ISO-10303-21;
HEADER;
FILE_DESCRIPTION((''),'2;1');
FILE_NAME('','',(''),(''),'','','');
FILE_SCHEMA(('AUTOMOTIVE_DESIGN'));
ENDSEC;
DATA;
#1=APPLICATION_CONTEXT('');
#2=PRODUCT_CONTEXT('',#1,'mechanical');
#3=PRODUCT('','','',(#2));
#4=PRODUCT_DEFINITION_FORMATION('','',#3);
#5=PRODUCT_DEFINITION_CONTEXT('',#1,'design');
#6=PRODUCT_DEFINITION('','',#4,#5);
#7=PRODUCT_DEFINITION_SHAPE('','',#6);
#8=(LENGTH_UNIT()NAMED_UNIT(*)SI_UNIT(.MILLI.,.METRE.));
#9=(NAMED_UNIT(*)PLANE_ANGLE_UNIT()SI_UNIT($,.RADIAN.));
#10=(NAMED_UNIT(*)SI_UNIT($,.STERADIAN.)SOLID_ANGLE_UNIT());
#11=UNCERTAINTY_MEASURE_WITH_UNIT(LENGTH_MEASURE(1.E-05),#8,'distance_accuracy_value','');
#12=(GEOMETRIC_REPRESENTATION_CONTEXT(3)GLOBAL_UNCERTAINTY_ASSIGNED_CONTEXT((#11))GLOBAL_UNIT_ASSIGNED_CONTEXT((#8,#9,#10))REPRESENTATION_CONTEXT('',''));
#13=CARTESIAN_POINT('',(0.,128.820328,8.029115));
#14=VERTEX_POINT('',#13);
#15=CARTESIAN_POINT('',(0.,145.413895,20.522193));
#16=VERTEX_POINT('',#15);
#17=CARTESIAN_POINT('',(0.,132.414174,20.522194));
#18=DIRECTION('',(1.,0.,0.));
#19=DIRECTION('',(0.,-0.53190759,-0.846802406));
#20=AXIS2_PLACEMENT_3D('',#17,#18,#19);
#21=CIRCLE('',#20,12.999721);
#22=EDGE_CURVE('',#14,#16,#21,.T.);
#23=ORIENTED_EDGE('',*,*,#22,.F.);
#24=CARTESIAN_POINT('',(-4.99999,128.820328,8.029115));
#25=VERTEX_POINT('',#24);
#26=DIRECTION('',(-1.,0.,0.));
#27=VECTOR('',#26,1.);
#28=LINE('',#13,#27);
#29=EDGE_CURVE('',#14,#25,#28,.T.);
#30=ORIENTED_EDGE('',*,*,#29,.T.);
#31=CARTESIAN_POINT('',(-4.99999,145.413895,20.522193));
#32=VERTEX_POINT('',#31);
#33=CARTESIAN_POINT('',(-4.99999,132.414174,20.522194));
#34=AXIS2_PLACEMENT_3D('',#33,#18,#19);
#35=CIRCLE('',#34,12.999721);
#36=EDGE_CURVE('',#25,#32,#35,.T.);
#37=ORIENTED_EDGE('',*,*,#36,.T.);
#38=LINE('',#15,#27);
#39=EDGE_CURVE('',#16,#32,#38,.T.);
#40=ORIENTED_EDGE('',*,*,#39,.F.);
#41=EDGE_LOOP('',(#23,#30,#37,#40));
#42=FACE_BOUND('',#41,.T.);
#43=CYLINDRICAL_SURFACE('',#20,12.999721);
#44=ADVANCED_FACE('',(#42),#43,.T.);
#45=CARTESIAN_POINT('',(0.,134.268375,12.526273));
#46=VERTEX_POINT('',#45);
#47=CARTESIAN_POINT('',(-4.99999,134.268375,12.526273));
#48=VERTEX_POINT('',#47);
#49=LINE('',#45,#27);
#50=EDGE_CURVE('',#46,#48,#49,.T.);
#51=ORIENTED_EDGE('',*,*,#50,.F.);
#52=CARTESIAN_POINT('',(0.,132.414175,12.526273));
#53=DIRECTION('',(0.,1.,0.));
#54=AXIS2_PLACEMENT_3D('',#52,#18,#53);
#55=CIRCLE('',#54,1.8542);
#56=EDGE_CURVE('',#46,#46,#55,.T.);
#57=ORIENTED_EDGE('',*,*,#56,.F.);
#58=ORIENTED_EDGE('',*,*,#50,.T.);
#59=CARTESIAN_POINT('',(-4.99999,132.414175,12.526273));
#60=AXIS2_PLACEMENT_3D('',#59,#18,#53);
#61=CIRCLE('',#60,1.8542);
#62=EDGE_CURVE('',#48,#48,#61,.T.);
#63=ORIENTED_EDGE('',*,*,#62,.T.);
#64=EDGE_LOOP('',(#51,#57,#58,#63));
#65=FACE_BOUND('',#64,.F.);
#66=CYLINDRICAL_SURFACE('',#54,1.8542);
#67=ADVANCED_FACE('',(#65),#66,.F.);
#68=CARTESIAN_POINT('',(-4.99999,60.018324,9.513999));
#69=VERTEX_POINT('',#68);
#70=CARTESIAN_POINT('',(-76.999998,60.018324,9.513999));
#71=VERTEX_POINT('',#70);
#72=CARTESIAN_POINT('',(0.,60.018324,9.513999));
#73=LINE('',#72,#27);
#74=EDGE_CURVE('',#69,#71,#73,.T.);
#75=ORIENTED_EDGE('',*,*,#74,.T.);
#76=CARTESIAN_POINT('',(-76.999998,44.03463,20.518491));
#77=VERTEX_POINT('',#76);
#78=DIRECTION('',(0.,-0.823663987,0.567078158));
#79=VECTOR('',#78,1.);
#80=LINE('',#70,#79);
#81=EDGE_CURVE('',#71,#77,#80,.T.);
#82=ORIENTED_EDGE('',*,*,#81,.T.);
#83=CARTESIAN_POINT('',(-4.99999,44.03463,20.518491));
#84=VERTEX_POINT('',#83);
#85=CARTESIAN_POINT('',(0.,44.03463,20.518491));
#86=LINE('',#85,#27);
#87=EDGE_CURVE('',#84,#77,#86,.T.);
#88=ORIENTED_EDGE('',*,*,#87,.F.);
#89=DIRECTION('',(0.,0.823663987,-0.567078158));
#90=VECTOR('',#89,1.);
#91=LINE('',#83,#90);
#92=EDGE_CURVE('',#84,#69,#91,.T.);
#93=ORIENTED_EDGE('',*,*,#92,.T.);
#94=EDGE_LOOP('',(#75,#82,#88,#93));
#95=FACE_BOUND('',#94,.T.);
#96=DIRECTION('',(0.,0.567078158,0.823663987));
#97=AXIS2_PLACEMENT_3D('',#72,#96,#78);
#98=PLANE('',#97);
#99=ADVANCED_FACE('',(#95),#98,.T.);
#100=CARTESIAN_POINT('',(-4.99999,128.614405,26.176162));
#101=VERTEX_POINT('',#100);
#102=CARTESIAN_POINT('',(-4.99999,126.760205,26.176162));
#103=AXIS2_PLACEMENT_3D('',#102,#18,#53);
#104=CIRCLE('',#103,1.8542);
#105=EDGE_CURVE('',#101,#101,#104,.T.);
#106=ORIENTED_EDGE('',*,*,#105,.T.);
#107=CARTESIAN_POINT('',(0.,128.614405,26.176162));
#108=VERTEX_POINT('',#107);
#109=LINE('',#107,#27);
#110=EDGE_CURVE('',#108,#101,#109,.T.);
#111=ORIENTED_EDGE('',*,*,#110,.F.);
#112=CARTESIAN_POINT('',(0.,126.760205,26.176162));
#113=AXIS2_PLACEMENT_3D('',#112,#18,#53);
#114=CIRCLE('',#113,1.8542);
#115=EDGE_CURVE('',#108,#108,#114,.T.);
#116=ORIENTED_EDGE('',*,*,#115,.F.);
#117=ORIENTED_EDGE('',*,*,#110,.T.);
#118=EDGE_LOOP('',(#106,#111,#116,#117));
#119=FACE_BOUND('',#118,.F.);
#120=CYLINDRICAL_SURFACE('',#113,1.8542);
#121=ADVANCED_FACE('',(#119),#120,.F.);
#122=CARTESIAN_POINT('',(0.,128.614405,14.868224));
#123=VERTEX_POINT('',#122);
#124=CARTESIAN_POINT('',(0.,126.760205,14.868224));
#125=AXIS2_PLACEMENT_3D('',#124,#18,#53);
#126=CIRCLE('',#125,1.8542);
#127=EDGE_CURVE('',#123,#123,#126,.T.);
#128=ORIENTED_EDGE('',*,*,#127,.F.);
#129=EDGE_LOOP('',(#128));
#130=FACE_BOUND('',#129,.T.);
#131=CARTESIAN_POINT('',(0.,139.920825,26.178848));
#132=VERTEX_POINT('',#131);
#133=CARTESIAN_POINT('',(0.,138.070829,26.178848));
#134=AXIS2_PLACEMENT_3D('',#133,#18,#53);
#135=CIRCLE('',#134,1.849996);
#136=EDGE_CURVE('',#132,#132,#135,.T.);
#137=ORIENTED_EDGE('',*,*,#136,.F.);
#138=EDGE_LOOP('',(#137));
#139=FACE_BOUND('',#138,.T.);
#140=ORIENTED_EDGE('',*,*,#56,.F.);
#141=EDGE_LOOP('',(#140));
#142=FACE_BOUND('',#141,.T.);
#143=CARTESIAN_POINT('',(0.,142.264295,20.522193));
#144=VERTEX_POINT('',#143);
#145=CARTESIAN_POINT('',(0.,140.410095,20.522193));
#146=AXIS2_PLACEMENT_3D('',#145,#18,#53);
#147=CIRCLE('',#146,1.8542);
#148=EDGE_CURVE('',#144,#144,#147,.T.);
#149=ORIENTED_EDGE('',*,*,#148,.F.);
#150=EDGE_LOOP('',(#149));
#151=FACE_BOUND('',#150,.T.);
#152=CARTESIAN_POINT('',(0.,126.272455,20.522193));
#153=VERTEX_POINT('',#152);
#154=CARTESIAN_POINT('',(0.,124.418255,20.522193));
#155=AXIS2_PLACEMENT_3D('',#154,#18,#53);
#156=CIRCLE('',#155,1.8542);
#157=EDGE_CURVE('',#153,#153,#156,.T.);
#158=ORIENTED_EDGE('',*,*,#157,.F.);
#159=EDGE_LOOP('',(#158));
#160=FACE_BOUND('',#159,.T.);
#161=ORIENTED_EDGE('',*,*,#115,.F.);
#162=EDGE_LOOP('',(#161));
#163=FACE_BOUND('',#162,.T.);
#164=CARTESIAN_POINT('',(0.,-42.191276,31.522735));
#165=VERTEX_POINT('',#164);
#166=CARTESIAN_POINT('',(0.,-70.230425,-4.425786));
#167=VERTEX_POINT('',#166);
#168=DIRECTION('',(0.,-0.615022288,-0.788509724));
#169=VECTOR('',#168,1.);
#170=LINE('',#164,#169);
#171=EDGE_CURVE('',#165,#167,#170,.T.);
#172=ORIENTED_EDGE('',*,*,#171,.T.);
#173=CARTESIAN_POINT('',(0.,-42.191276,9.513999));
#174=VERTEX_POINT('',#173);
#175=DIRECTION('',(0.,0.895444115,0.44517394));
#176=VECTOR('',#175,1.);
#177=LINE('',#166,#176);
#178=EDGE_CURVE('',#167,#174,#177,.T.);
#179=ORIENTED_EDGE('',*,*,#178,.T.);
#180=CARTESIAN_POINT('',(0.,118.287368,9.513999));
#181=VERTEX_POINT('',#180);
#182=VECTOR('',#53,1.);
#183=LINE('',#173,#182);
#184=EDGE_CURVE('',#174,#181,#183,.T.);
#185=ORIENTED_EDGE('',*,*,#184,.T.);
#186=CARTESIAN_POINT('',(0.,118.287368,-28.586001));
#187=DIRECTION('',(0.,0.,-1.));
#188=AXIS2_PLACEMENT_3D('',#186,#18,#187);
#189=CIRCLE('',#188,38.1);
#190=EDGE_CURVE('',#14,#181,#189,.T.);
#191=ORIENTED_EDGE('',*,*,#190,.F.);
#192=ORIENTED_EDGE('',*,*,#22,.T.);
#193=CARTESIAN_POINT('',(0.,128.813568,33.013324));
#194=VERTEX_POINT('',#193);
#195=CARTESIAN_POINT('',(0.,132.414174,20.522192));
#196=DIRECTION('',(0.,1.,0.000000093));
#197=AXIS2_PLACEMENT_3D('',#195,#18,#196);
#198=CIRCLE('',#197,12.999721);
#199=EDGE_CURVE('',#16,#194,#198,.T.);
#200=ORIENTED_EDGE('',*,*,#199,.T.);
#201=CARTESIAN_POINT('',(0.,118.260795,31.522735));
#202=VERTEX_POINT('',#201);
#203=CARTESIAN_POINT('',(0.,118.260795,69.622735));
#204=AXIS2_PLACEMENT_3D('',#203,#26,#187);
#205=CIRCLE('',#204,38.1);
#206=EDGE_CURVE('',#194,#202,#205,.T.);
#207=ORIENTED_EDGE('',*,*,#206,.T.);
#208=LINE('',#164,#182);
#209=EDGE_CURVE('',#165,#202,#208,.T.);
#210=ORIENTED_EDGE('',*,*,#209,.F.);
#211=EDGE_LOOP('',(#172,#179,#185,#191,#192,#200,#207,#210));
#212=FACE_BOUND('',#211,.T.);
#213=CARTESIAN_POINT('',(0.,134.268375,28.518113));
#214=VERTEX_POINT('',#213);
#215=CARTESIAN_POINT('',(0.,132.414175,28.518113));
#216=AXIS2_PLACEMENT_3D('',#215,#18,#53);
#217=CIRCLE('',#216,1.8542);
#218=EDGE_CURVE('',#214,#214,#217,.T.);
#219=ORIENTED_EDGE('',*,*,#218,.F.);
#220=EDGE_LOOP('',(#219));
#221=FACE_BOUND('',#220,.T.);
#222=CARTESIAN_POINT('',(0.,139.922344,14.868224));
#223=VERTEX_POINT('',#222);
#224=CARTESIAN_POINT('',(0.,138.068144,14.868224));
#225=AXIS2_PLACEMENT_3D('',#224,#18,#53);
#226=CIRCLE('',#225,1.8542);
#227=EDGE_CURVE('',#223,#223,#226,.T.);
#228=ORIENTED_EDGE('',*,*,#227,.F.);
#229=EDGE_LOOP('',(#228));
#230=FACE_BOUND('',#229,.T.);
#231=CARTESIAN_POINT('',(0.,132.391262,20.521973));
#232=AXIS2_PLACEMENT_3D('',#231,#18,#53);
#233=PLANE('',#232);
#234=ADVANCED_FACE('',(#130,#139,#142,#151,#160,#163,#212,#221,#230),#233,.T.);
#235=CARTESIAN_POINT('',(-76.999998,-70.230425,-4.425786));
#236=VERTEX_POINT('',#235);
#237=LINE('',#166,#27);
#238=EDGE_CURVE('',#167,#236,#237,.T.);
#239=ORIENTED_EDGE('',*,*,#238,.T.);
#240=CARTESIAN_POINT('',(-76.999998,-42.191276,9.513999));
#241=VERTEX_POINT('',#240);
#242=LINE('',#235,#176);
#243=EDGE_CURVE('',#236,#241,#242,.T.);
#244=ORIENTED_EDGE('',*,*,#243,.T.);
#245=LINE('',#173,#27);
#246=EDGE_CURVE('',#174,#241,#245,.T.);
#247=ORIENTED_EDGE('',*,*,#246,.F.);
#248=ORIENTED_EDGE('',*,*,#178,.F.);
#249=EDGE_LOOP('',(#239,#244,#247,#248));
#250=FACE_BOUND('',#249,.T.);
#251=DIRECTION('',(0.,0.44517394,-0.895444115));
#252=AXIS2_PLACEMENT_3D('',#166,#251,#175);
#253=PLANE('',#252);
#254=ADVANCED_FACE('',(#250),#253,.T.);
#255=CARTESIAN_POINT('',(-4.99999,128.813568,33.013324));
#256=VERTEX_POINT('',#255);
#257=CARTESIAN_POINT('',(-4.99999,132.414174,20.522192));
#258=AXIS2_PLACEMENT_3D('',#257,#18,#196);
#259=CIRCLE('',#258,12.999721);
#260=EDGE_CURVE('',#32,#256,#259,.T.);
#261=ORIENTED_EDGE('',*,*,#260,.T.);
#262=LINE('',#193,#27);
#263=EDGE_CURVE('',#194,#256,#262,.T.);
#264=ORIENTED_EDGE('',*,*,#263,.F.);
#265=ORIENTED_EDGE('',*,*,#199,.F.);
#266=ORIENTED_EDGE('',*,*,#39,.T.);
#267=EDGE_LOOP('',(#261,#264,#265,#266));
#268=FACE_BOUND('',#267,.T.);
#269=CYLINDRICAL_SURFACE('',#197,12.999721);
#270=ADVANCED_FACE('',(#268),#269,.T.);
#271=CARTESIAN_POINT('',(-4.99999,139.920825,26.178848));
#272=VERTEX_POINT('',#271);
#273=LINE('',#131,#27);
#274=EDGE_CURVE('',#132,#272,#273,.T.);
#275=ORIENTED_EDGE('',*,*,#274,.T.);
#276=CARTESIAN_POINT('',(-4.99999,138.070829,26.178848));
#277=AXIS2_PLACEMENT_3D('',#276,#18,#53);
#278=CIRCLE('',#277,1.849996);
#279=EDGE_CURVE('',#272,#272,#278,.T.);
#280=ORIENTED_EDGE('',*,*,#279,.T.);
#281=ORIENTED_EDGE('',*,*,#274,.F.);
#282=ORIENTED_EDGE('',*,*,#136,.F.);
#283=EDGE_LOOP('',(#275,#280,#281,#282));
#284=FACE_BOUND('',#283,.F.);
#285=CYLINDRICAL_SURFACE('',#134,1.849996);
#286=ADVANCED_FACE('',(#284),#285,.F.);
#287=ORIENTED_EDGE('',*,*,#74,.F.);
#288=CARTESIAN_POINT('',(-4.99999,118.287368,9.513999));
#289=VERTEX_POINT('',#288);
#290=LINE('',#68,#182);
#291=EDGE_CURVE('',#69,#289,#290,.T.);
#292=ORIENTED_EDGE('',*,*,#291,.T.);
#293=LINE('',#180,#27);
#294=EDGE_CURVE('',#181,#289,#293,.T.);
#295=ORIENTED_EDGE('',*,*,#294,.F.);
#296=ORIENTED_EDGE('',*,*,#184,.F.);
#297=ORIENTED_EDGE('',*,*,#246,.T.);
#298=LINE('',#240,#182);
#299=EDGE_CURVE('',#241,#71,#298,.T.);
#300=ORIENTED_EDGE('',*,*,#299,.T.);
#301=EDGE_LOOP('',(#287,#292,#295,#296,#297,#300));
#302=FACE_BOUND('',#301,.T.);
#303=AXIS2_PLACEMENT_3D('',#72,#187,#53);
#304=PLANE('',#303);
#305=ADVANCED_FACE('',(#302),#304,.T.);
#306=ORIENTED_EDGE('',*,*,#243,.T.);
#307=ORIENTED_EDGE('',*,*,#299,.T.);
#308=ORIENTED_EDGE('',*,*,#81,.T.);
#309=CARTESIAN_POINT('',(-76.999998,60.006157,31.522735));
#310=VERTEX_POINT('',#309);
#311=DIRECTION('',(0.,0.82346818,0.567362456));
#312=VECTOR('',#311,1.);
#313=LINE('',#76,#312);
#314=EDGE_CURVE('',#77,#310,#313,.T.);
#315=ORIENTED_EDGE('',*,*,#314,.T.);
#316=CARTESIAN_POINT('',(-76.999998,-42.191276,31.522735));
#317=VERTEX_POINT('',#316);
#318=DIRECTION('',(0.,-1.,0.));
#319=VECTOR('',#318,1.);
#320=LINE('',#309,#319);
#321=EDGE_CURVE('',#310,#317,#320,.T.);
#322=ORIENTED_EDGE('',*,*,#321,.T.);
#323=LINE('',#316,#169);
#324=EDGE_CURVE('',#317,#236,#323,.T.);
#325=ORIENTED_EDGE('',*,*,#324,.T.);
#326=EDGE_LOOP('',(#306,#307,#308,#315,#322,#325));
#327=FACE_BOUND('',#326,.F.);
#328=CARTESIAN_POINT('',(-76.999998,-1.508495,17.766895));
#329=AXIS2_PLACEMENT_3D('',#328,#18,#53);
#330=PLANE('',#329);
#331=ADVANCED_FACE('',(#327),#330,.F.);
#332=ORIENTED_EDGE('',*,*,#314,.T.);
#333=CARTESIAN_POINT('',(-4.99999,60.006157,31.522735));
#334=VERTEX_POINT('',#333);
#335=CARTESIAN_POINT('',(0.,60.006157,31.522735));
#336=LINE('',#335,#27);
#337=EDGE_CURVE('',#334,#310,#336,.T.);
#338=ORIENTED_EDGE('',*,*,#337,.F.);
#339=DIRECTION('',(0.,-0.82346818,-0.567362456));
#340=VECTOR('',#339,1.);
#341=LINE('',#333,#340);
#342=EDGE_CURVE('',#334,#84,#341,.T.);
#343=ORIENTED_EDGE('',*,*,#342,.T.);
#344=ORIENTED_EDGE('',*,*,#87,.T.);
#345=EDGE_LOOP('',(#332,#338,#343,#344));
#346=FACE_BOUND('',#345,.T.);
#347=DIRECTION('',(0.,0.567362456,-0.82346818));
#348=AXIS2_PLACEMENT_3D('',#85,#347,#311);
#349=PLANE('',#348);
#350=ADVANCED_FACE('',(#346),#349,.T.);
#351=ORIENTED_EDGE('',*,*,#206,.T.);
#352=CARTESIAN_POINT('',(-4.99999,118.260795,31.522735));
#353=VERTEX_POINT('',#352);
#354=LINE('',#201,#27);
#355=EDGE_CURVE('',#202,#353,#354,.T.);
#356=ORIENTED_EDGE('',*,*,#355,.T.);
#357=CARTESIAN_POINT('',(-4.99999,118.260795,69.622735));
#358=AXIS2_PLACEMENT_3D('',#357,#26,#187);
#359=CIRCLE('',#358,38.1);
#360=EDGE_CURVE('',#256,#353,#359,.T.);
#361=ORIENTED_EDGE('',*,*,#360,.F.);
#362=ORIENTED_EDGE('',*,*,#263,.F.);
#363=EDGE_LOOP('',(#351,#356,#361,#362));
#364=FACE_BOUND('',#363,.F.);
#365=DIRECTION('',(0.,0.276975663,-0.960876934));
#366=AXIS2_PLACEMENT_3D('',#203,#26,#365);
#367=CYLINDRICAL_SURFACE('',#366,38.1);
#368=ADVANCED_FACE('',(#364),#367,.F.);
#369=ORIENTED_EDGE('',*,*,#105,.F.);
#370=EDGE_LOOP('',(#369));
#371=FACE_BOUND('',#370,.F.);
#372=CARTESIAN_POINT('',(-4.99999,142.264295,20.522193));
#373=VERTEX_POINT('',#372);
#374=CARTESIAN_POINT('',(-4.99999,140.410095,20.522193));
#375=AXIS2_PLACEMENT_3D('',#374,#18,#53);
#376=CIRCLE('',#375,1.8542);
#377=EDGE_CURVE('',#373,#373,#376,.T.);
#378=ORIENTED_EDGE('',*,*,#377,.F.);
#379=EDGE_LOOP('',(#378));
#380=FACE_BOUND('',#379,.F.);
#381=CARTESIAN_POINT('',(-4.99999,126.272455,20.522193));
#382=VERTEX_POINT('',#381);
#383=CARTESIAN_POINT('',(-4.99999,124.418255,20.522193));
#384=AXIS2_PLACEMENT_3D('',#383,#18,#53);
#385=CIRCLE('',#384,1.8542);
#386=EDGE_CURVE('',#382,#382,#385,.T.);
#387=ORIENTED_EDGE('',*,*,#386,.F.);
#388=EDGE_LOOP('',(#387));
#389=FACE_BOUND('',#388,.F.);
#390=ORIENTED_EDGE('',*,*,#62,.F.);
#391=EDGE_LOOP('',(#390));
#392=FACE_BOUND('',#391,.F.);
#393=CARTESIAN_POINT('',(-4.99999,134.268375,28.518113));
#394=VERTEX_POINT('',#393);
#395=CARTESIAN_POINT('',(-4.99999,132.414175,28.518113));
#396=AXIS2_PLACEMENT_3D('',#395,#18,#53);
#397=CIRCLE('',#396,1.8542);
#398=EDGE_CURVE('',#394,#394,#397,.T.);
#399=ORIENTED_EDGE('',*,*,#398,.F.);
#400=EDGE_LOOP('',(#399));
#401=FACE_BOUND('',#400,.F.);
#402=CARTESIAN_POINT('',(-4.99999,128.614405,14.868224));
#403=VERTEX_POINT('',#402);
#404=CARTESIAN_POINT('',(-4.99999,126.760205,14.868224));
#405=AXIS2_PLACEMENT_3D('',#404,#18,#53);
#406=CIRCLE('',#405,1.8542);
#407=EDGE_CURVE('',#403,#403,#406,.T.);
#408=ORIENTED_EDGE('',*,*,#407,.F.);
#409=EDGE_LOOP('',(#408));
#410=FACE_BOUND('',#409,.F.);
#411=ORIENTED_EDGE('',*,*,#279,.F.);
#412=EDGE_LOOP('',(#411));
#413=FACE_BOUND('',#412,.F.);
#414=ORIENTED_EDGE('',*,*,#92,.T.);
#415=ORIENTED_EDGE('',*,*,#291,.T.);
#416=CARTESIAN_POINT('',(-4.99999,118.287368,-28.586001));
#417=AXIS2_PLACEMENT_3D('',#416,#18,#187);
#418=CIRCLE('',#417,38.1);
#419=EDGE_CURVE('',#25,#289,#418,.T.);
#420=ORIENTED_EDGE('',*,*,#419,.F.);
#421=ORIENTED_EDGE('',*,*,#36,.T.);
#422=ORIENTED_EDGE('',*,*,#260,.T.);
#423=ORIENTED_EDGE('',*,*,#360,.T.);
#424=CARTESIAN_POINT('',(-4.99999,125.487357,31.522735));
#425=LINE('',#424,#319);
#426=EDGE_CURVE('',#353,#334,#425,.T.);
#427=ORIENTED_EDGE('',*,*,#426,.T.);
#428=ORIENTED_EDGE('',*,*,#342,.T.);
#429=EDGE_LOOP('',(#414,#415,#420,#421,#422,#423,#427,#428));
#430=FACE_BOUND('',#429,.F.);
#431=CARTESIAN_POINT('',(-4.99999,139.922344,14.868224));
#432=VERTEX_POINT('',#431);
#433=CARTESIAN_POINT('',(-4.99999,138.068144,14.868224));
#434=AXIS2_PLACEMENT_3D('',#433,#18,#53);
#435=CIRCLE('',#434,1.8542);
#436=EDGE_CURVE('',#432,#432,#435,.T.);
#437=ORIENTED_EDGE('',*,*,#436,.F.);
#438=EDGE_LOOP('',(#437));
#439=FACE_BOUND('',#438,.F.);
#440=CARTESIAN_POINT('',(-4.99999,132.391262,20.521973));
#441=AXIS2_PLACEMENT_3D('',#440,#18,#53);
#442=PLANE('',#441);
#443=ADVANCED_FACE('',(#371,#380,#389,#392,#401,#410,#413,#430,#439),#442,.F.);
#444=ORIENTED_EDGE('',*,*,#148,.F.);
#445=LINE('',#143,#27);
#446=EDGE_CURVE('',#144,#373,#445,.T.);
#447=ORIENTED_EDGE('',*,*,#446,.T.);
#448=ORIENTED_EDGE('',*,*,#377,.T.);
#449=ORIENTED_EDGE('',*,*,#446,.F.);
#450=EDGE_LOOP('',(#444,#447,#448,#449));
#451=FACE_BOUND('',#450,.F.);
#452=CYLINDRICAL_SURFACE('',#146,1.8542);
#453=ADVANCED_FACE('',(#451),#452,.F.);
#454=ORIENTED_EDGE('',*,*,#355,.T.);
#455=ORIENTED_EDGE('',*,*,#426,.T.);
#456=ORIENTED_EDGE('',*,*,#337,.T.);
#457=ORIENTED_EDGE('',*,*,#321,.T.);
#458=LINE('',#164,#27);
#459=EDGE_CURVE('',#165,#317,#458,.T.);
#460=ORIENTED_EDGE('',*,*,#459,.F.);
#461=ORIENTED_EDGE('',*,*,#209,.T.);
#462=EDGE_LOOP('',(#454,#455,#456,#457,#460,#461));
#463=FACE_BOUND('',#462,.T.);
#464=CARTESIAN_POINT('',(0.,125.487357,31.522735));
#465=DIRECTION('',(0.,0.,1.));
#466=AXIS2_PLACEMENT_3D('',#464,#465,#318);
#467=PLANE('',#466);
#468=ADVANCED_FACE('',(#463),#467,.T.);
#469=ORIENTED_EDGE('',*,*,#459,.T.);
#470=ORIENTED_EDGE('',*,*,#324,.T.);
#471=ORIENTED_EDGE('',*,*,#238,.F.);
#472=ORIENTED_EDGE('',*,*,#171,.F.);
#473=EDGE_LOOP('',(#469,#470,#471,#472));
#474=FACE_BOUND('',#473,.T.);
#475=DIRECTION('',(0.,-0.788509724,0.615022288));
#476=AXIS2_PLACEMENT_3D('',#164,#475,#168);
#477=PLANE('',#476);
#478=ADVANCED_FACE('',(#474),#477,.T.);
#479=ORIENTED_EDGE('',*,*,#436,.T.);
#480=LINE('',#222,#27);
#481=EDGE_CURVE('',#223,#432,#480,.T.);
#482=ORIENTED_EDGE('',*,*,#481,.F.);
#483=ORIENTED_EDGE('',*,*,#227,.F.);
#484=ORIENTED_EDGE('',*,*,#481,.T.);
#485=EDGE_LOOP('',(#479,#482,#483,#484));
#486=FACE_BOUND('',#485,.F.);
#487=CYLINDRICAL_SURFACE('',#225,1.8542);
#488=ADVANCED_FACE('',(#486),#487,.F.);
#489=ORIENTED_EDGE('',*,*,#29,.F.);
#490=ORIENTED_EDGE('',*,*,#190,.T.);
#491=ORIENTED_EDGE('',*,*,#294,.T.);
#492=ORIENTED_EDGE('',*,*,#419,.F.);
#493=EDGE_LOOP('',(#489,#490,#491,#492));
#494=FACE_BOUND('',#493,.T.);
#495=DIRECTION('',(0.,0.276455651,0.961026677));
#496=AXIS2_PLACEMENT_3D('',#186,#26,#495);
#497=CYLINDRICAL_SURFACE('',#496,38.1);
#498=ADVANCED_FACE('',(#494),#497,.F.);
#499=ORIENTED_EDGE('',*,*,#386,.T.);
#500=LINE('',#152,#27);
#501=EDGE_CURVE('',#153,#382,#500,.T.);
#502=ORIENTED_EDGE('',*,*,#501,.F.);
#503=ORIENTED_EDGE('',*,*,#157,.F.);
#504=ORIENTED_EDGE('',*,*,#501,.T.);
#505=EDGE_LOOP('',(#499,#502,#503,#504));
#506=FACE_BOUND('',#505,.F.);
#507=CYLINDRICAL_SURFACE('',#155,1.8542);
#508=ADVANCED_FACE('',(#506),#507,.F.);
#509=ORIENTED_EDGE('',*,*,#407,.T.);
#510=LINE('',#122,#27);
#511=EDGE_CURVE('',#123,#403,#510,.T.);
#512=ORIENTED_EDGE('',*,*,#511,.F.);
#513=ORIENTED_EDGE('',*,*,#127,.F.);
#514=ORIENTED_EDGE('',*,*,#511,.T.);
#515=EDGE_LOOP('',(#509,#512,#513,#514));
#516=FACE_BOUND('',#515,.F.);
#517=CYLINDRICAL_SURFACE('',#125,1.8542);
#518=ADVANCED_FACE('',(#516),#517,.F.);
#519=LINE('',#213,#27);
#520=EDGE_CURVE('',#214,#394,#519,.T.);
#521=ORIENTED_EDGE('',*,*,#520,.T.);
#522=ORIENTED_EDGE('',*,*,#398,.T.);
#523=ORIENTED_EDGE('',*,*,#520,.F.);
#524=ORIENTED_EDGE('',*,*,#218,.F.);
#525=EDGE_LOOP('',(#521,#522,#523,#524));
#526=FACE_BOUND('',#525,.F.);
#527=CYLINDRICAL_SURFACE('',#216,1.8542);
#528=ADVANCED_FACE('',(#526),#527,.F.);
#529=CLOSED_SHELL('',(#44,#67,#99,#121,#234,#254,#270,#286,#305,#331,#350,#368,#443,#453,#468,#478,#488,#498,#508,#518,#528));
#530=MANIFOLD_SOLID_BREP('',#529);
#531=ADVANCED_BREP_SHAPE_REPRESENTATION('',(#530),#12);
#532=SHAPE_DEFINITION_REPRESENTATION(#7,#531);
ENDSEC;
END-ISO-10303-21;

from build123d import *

# Parameters (mm, degrees)
F2_DEPTH = 76.999998
F1_R     = 1.8542
F1_R_2   = 1.849996
F3_DEPTH = 4.99999
F4_R     = 38.1
F5_R     = 38.1


with BuildPart() as f2:
    # F0 (on Right) → F2 (new body)
    with BuildSketch(Plane.YZ):
        Polygon((60.006157, 31.522735), (-42.191276, 31.522735), (-70.230425, -4.425786), (-42.191276, 9.513999), (60.018324, 9.513999), (44.03463, 20.518491), align=None)
    extrude(amount=-F2_DEPTH)

    # F1 (on Right) → F3 (join)
    with BuildSketch(Plane.YZ):
        with BuildLine():
            ThreePointArc((145.413895, 20.522193), (138.69693, 31.902865), (125.487357, 31.522735))
            ThreePointArc((125.487357, 31.522735), (119.414457, 20.515007), (125.499524, 9.513999))
            ThreePointArc((125.499524, 9.513999), (138.703221, 9.144996), (145.413895, 20.522193))
        make_face()
        with Locations((132.414175, 12.526273)):
            Circle(F1_R, mode=Mode.SUBTRACT)
        with Locations((126.760205, 14.868224)):
            Circle(F1_R, mode=Mode.SUBTRACT)
        with Locations((138.068144, 14.868224)):
            Circle(F1_R, mode=Mode.SUBTRACT)
        with Locations((124.418255, 20.522193)):
            Circle(F1_R, mode=Mode.SUBTRACT)
        with Locations((140.410095, 20.522193)):
            Circle(F1_R, mode=Mode.SUBTRACT)
        with Locations((126.760205, 26.176162)):
            Circle(F1_R, mode=Mode.SUBTRACT)
        with Locations((138.070829, 26.178848)):
            Circle(F1_R_2, mode=Mode.SUBTRACT)
        with Locations((132.414175, 28.518113)):
            Circle(F1_R, mode=Mode.SUBTRACT)
        with BuildLine():
            Line((125.487357, 31.522735), (60.006157, 31.522735))
            Line((60.006157, 31.522735), (44.03463, 20.518491))
            Line((44.03463, 20.518491), (60.018324, 9.513999))
            Line((60.018324, 9.513999), (125.499524, 9.513999))
            ThreePointArc((125.499524, 9.513999), (119.414457, 20.515007), (125.487357, 31.522735))
        make_face()
    extrude(amount=-F3_DEPTH)

    # F4
    f4_edges = [f2.edges().sort_by_distance(p)[0] for p in [
        (-2.499995, 125.487357, 31.522735),
    ]]
    fillet(f4_edges, radius=F4_R)

    # F5
    f5_edges = [f2.edges().sort_by_distance(p)[0] for p in [
        (-2.499995, 125.499524, 9.513999),
    ]]
    fillet(f5_edges, radius=F5_R)


solid = f2.part
